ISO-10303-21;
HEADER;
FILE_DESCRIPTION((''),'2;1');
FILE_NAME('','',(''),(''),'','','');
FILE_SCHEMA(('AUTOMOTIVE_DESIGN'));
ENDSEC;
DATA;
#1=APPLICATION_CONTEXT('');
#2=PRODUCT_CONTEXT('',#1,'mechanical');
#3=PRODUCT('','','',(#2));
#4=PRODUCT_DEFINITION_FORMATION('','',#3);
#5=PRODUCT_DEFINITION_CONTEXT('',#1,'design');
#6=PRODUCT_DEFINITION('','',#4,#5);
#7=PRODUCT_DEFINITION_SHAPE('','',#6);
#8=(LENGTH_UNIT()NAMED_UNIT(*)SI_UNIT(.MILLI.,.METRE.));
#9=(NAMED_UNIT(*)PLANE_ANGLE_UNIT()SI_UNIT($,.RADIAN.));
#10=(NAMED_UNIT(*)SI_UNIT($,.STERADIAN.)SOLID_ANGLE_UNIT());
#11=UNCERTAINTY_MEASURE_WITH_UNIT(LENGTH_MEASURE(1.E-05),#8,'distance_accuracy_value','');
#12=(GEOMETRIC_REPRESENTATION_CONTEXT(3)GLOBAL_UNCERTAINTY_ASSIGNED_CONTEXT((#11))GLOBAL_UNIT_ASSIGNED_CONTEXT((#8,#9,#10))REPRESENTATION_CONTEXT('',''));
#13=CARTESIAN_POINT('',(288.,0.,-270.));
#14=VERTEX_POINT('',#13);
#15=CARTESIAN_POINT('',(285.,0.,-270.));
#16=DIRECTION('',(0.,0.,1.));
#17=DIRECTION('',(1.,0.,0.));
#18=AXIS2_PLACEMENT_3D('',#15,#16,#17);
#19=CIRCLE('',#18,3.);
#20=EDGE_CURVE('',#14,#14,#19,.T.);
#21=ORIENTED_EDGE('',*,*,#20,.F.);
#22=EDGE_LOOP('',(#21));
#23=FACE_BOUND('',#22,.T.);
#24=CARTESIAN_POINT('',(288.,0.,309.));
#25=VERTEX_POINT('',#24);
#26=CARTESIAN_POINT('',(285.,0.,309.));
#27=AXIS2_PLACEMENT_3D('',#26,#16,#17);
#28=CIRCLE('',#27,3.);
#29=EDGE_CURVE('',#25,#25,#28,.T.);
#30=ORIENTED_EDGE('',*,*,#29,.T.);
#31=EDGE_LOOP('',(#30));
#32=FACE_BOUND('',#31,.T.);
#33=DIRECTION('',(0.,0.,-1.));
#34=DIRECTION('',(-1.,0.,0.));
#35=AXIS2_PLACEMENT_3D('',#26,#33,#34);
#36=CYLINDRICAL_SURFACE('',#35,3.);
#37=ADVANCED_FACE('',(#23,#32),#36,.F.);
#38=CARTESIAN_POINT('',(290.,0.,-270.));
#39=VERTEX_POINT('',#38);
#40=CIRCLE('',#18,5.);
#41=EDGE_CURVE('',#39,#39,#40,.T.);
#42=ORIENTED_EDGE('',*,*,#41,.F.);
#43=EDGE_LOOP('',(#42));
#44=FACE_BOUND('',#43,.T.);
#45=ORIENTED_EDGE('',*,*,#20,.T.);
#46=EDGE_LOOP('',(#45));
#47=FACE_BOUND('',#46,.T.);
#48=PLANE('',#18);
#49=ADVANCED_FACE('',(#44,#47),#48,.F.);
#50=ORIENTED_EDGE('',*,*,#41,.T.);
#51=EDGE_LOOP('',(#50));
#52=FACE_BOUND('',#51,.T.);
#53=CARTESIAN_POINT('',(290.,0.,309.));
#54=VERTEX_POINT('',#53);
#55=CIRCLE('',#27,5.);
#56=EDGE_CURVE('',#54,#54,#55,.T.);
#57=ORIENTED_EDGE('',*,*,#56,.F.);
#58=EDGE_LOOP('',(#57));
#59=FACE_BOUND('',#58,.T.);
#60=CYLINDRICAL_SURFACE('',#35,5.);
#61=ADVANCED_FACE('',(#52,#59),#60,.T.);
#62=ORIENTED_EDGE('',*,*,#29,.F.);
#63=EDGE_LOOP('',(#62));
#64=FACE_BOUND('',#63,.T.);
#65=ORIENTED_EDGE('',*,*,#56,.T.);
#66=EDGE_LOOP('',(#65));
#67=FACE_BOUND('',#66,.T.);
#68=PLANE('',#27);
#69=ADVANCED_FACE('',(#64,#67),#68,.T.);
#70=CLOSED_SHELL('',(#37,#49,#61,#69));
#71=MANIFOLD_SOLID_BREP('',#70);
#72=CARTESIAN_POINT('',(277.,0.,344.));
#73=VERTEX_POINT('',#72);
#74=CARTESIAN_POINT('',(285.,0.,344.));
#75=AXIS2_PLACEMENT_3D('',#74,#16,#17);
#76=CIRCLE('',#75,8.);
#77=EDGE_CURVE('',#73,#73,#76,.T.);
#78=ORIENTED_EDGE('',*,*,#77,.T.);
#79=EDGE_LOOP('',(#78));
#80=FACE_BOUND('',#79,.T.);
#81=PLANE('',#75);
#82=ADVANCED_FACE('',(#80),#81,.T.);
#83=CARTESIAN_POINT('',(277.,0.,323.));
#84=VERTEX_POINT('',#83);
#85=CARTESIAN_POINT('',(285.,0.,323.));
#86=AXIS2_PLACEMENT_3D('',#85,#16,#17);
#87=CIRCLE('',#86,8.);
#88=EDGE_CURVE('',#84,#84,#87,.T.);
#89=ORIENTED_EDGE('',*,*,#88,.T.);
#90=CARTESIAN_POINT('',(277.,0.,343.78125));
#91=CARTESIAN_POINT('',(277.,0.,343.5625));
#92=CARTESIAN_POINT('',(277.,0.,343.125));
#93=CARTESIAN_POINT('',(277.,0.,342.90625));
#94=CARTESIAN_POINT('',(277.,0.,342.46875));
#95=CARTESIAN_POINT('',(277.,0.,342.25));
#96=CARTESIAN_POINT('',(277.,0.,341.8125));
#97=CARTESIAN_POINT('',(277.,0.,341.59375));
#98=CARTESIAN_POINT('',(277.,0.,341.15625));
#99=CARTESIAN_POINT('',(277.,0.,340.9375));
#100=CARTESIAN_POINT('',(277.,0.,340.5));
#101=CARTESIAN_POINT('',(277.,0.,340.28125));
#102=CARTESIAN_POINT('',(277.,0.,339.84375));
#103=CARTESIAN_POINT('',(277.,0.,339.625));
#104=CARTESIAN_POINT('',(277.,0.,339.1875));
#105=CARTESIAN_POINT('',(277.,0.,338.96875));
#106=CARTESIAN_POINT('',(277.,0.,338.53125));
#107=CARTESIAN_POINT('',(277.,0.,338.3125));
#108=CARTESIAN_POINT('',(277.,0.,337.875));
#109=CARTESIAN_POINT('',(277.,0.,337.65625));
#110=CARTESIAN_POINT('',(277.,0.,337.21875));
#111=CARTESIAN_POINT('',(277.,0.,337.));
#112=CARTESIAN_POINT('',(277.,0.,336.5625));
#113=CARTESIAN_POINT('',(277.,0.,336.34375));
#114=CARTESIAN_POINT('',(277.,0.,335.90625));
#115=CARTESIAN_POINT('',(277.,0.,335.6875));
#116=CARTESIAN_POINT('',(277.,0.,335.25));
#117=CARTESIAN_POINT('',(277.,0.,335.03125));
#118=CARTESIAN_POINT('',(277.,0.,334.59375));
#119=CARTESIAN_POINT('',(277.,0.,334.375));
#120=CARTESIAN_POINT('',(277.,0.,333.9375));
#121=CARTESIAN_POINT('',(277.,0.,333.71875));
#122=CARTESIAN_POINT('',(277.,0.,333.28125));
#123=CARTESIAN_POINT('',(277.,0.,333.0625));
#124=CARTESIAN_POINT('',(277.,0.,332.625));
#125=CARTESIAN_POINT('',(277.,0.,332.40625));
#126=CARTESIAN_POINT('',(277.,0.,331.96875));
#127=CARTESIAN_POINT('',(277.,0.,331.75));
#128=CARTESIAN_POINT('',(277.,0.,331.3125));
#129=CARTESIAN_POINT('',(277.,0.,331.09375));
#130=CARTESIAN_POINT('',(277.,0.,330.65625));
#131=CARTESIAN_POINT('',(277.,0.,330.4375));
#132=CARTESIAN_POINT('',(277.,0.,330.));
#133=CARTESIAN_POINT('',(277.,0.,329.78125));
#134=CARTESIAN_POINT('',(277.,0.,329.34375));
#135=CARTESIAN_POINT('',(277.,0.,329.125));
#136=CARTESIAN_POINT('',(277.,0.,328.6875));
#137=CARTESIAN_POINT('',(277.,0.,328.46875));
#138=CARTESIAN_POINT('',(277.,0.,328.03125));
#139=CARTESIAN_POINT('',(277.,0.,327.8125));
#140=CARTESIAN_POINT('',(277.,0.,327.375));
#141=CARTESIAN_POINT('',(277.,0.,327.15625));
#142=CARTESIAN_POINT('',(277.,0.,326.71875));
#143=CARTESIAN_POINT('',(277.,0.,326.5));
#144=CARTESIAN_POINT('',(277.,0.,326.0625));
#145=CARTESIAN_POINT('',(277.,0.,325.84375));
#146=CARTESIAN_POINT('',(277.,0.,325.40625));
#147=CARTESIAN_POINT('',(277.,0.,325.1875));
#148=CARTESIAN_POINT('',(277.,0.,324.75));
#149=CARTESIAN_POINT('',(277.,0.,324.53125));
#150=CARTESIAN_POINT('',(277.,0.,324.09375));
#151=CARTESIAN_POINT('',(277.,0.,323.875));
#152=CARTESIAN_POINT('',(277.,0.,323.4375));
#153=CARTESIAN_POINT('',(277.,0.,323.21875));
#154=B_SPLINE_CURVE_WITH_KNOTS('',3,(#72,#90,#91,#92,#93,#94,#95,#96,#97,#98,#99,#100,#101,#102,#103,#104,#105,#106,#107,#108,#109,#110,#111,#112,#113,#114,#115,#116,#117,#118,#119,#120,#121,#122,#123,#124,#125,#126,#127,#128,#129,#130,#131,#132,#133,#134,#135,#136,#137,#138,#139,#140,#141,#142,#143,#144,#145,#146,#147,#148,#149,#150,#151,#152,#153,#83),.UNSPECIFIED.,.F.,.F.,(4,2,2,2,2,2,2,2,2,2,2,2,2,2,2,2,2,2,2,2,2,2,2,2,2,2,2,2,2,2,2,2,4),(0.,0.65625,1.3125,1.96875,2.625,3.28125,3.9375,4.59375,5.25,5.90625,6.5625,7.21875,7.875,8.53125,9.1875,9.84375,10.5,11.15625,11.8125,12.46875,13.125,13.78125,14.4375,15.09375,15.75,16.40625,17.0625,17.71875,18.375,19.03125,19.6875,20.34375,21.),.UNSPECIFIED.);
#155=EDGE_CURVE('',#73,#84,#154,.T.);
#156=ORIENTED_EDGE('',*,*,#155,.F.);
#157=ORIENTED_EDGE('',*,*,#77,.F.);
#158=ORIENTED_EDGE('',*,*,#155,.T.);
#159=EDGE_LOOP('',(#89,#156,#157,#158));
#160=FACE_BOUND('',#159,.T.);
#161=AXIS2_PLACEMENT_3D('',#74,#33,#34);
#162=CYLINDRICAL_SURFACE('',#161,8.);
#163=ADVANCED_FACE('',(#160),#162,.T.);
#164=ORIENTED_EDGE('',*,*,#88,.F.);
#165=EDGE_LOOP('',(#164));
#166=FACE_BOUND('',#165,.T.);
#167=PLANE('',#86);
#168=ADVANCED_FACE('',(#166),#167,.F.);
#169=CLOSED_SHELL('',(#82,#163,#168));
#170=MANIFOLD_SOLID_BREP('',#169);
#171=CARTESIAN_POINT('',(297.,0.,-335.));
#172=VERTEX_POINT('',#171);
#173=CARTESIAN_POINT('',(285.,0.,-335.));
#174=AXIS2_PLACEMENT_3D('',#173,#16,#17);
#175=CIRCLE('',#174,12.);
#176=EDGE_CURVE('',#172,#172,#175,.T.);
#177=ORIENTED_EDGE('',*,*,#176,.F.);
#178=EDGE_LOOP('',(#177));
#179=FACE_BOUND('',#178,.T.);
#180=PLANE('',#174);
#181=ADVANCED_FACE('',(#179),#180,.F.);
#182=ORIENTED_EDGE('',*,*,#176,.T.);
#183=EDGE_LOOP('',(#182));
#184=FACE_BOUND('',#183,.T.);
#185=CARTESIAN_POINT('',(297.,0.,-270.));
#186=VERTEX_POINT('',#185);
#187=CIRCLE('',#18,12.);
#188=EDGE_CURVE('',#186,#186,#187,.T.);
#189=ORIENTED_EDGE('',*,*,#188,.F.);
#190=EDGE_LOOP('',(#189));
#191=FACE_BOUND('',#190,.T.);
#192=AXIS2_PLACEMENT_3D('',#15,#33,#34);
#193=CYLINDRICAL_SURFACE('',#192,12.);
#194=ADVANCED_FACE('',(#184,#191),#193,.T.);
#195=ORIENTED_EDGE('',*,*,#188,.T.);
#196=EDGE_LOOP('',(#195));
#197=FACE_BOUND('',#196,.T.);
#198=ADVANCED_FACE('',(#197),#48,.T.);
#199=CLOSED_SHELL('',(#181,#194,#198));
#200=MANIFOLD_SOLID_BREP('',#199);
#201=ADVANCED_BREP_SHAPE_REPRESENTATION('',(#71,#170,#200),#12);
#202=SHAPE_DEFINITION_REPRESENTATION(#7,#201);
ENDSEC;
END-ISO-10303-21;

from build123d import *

# Parameters (mm, degrees)
EXTRUDE_START        = -335
EXTRUDE_SKETCH_1_R   = 12
EXTRUDE_1_DEPTH      = 65
EXTRUDE_START_2      = -270
EXTRUDE_SKETCH_2_R   = 5
EXTRUDE_SKETCH_2_R_2 = 3
EXTRUDE_2_DEPTH      = 579
EXTRUDE_START_3      = 323
EXTRUDE_SKETCH_3_R   = 8
EXTRUDE_3_DEPTH      = 21


with BuildPart() as part:
    # Extrude sketch 1 → Extrude 1 (new body)
    with BuildSketch(Plane.XY.offset(EXTRUDE_START)):
        with Locations((285, 0)):
            Circle(EXTRUDE_SKETCH_1_R)
    extrude(amount=EXTRUDE_1_DEPTH)


with BuildPart() as body_2:
    # Extrude sketch 2 → Extrude 2 (new body)
    with BuildSketch(Plane.XY.offset(EXTRUDE_START_2)):
        with Locations((285, 0)):
            Circle(EXTRUDE_SKETCH_2_R)
        with Locations((285, 0)):
            Circle(EXTRUDE_SKETCH_2_R_2, mode=Mode.SUBTRACT)
    extrude(amount=EXTRUDE_2_DEPTH)


with BuildPart() as body_3:
    # Extrude sketch 3 → Extrude 3 (new body)
    with BuildSketch(Plane.XY.offset(EXTRUDE_START_3)):
        with Locations(Location((285, 0, 0), (0, 0, 180))):
            Circle(EXTRUDE_SKETCH_3_R)
    extrude(amount=EXTRUDE_3_DEPTH)


solid = Compound([part.part, body_2.part, body_3.part])
